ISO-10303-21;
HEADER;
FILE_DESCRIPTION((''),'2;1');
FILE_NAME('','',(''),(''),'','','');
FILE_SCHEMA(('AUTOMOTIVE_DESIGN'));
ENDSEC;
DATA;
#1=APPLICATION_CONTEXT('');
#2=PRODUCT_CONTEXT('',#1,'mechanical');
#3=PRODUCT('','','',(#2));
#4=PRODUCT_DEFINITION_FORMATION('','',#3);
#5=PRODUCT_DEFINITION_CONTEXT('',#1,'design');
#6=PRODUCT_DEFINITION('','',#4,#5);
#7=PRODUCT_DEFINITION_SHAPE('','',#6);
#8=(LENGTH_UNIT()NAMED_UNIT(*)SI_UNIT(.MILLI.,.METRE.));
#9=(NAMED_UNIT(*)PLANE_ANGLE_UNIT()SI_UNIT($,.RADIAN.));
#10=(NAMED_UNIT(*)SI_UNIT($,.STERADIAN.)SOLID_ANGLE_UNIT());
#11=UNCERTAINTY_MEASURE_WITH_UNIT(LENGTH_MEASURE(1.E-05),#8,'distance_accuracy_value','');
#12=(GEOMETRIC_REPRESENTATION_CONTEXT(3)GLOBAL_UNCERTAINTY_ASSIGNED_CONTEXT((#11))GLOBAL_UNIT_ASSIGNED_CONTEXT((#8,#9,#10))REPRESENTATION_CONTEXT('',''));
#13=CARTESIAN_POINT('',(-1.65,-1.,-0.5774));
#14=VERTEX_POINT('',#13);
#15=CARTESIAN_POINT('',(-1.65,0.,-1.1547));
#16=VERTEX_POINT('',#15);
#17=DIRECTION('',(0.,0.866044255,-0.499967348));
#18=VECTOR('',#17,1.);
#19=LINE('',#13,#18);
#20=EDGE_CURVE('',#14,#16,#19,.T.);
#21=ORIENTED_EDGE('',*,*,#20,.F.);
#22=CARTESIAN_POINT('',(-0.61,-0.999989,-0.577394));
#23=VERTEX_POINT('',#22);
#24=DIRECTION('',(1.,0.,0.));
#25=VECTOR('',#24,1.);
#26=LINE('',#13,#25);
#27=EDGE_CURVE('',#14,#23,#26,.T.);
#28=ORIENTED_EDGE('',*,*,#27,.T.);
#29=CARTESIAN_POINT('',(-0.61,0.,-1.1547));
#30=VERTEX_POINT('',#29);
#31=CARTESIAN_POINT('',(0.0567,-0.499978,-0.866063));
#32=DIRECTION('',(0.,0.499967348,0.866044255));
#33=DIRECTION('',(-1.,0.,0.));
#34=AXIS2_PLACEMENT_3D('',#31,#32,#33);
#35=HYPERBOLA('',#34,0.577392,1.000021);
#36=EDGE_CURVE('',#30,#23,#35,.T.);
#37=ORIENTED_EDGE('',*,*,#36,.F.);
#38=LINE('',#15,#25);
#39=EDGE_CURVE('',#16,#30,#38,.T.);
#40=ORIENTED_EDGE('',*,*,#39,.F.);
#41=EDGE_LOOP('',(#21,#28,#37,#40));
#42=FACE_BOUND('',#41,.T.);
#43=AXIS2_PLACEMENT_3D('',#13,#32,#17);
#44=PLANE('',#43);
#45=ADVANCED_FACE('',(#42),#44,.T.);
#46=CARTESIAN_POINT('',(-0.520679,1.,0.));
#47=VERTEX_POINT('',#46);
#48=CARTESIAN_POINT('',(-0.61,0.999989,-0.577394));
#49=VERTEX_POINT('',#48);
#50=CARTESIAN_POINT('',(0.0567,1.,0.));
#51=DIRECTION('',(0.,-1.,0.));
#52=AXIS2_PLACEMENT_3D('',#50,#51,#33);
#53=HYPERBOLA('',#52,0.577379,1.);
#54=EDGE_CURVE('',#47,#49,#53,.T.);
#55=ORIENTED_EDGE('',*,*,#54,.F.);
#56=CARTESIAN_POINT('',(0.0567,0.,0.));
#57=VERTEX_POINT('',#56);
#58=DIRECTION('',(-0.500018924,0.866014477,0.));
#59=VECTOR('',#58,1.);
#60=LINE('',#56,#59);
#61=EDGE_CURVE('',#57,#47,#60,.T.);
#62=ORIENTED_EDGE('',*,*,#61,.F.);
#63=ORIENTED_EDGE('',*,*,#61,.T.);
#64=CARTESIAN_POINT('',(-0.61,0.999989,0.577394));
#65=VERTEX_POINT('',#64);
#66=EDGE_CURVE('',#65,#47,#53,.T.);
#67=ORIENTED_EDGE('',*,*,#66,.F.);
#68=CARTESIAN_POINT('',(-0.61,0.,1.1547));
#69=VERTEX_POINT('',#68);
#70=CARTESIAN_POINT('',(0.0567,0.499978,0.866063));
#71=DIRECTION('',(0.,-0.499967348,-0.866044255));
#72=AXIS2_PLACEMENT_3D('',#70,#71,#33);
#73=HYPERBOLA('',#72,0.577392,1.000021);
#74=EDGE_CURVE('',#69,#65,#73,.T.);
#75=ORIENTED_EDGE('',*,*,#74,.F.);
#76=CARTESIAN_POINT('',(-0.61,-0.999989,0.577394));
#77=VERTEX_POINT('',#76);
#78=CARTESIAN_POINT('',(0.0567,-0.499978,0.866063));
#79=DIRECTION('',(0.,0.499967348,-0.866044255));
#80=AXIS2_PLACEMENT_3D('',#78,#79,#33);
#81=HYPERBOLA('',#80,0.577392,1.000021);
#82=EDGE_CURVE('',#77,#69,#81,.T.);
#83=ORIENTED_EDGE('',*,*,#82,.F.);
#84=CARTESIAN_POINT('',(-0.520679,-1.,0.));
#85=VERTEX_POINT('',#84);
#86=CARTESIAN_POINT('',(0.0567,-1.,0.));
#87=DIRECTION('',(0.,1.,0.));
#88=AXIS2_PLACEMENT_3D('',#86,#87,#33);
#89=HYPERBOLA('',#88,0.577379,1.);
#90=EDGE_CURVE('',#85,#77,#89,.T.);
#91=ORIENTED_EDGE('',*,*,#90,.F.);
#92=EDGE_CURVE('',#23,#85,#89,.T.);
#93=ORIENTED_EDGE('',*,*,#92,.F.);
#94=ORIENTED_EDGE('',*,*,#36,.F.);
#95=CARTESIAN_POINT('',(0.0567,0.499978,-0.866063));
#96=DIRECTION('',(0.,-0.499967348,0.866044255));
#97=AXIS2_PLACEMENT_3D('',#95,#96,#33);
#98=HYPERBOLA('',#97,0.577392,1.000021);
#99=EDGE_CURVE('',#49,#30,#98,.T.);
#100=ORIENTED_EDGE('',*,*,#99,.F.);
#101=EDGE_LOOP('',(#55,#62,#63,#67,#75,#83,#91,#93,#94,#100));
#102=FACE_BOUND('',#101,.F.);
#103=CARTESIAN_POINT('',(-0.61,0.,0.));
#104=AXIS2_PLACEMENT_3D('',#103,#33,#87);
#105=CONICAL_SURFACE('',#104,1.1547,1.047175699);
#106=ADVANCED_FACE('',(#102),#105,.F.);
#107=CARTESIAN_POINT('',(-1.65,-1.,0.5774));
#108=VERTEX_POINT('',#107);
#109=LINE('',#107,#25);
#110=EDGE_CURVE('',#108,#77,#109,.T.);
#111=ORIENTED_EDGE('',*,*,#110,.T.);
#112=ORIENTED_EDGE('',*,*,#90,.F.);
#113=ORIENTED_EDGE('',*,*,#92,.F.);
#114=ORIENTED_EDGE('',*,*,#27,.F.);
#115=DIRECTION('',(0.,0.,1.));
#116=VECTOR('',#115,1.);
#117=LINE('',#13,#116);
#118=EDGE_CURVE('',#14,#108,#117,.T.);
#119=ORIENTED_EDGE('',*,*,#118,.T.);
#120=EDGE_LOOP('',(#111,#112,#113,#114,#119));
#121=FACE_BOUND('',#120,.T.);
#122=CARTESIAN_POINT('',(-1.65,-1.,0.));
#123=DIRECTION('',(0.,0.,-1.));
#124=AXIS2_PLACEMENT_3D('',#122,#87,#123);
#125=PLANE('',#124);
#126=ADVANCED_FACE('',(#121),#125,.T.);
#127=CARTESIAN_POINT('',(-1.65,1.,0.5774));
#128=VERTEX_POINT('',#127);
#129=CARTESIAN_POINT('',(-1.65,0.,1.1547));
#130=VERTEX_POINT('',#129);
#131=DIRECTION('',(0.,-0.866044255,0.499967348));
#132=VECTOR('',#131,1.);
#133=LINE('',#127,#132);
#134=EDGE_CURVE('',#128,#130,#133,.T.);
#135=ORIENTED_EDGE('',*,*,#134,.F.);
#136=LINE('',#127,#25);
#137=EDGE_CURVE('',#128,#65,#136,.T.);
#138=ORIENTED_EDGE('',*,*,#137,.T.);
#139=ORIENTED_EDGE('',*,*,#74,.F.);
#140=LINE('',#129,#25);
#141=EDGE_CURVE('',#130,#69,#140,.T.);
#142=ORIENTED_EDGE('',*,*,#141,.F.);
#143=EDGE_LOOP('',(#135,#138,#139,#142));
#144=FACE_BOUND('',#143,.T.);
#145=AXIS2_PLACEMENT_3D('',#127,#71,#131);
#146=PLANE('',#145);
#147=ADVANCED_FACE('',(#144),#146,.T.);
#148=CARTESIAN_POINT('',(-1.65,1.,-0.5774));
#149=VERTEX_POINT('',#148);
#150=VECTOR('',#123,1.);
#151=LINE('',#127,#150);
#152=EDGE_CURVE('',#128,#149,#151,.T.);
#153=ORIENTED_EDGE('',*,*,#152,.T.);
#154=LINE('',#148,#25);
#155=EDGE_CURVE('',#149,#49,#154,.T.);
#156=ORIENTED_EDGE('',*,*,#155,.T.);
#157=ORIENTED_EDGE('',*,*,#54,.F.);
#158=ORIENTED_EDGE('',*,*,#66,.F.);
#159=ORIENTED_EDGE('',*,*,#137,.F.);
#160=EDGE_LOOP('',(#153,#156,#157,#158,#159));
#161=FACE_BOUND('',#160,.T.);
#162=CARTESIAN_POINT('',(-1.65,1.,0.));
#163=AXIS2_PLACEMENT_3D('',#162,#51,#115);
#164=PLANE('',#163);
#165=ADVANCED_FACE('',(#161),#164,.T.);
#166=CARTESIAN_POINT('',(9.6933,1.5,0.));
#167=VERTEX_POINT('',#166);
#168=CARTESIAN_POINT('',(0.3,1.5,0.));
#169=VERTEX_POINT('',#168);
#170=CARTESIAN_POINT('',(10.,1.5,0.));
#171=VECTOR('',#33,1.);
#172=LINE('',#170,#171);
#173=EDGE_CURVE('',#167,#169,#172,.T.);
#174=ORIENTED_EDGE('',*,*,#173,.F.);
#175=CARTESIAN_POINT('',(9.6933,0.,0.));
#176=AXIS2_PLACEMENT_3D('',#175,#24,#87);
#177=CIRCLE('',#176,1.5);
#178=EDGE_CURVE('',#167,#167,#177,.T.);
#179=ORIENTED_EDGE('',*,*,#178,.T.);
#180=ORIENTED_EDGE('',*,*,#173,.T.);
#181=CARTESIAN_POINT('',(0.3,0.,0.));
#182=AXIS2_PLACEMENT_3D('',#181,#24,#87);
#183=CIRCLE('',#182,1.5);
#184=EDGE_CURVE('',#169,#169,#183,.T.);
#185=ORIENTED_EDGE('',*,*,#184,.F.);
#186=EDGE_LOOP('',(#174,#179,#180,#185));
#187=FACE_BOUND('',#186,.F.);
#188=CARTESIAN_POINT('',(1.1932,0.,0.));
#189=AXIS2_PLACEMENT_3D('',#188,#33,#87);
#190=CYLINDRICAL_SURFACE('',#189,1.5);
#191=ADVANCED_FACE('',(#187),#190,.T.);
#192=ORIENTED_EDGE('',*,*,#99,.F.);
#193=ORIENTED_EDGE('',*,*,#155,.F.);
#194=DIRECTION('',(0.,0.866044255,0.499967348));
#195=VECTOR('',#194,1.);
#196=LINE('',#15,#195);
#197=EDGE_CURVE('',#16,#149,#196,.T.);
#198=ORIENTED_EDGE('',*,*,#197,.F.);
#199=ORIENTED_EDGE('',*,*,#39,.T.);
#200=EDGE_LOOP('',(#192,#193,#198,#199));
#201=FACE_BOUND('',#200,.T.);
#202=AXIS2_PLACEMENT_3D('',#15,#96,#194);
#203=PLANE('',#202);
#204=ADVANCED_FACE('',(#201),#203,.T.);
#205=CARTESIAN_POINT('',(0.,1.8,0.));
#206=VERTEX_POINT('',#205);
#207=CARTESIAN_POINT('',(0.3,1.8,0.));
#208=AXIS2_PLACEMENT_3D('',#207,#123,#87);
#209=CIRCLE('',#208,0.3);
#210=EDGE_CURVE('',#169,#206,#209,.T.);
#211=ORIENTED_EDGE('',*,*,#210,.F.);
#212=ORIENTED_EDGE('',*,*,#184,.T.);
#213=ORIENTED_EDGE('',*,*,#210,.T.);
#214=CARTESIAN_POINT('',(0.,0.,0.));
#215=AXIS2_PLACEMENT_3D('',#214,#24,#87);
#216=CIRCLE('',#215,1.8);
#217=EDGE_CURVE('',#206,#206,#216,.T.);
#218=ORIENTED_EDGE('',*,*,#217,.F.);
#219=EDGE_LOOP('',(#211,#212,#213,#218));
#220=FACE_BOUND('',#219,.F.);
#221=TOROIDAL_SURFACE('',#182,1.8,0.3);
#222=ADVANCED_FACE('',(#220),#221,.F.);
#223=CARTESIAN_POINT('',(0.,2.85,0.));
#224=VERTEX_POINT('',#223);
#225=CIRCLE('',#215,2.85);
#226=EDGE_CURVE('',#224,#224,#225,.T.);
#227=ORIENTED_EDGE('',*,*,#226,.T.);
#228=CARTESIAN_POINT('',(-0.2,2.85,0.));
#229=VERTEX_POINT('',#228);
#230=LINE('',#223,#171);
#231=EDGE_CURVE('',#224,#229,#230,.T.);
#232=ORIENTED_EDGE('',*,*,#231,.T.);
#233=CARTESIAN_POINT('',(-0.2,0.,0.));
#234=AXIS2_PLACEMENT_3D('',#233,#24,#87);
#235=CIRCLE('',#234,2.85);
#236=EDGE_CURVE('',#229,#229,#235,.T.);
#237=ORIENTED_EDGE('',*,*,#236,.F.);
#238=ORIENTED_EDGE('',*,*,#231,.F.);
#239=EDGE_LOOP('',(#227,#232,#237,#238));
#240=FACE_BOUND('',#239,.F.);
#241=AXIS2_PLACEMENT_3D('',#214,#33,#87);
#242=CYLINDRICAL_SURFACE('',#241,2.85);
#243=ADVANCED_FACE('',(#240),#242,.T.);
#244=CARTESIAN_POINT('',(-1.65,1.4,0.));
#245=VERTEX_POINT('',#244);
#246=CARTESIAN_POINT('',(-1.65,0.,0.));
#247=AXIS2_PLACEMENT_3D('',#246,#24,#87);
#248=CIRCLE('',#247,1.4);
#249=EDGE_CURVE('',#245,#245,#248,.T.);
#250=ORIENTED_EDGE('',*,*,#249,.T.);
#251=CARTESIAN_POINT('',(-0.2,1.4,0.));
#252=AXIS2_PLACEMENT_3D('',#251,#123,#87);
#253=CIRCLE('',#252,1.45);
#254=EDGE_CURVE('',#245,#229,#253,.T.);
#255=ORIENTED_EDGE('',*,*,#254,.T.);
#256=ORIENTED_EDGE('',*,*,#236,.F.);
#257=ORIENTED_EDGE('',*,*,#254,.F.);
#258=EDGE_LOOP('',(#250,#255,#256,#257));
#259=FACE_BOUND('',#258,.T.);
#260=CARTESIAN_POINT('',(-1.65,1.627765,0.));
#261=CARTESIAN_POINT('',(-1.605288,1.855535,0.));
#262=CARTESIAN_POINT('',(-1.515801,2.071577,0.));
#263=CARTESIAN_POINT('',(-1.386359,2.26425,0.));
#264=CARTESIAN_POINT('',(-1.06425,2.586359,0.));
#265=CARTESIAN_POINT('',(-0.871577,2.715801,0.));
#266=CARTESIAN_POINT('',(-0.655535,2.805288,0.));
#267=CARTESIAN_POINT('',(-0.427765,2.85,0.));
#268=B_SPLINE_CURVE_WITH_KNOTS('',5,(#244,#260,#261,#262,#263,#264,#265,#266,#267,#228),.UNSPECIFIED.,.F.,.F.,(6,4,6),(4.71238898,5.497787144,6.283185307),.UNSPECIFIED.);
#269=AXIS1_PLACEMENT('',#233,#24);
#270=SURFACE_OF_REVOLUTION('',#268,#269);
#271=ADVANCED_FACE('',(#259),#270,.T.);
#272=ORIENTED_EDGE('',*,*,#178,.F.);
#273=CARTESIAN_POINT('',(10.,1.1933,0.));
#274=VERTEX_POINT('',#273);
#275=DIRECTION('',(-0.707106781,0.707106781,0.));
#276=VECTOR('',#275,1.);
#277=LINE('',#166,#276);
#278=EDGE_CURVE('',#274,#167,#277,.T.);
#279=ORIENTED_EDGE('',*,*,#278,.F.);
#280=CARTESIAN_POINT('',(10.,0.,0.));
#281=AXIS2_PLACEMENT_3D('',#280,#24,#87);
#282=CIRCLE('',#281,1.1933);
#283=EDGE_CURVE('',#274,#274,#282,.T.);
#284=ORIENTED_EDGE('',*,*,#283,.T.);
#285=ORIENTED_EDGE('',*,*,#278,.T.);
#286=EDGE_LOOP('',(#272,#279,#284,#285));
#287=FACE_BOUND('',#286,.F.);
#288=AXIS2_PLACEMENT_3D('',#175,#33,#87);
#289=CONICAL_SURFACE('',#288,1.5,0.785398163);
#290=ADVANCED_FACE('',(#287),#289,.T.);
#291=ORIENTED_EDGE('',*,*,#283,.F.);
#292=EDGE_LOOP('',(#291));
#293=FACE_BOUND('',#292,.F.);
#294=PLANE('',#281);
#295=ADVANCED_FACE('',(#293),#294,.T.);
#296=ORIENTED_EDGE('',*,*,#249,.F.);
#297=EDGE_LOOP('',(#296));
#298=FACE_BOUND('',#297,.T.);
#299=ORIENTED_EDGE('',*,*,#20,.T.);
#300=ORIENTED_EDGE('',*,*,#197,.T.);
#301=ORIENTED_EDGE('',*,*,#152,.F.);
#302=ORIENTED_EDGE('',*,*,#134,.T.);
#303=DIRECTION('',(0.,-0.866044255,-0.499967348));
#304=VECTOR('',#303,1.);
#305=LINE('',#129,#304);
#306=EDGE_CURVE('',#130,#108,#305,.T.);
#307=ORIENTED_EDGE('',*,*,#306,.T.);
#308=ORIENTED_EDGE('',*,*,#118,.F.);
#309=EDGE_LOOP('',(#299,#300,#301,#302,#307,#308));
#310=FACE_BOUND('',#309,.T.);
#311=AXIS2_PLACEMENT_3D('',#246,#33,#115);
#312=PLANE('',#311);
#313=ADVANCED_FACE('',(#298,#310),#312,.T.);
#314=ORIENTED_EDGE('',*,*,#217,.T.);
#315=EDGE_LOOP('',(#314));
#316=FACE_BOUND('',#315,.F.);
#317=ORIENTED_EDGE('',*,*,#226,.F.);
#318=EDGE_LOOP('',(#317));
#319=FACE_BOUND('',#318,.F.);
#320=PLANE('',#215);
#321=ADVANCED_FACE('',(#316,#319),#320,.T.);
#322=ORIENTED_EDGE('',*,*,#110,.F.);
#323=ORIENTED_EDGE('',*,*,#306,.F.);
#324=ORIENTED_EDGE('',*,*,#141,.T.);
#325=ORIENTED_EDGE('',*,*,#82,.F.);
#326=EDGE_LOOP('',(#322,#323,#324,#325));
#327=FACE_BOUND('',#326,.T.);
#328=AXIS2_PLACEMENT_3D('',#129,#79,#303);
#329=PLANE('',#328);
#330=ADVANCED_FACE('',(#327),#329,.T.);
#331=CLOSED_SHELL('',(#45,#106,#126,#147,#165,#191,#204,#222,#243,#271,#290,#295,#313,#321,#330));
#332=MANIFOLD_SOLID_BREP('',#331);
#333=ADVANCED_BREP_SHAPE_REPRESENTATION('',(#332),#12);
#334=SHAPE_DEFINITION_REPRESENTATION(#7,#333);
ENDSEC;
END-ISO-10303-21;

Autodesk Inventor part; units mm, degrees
ref_plane "YZ Plane" through (0, 0, 0) normal (1, 0, 0) x (0, 1, 0)
ref_plane "XZ Plane" through (0, 0, 0) normal (0, 1, 0) x (-1, 0, 0)
sketch "Sketch1" plane through (0, 0, 0) normal (0, 0, 1) x (1, 0, 0)
  line L0 (0.0567, 0) -> (10, 0)
  line L1 (10, 0) -> (10, 1.5)
  line L2 (10, 1.5) -> (1.5, 1.5)
  line L3 (1.5, 1.5) -> (1.1932, 1.5)
  line L4 (1.1932, 1.5) -> (0, 1.5)
  line L5 (0, 1.5) -> (0, 2.85)
  line L6 (0, 2.85) -> (-1.65, 2.85)
  line L7 (-1.65, 2.85) -> (-1.65, 1.1547)
  line L8 (-1.65, 1.1547) -> (-0.61, 1.1547)
  line L9 (-0.61, 1.1547) -> (0.0567, 0)
  line L10 (-21, 0) -> (56, 0) projected
  line L11 (0, -1.6) -> (0, 9.6) projected
  line L12 (1.5, 1.5) -> (0, 1.5) construction
  dimension "d1" = 8.5
  dimension "d2" = 0.3068
  dimension "d3" = 1.65
  dimension "d4" = 1.04
  dimension "d5" = 60
  dimension "d6" = 3
  dimension "d7" = 3
  dimension "d8" = 2.3094
  dimension "d9" = 5.7
  dimension "d26" = 10
revolve "Body" add sketch "Sketch1" angle 360 about axis through (0.0567, 0, 0) along (1, 0, 0) contours L9 L11 L4 L3 L2 L1 L0 | L9 L8 L7 L6 L5 L11
sketch "Sketch2" plane through (-1.65, 0, 0) normal (-1, 0, 0) x (0, 0, 1)
  circle A0 centre (0, 0) radius 1.1547 projected
  line L0 (0, -6.4663) -> (0, 6.4663) projected
  line L1 (-6.4663, 0) -> (6.4663, 0) projected
  line L2 (1.1547, 0) -> (0.5774, -1)
  line L3 (0.5774, -1) -> (-0.5774, -1)
  line L4 (-0.5774, -1) -> (-1.1547, 0)
  line L5 (-1.1547, 0) -> (-0.5774, 1)
  line L6 (-0.5774, 1) -> (0.5774, 1)
  line L7 (0.5774, 1) -> (1.1547, 0)
extrude "Slot" add sketch "Sketch2" against normal up to next contours L7 A0 | A0 L2 | L6 L0 A0 | A0 L0 L3 | L0 L6 A0 | A0 L3 L0 | L4 A0 | A0 L5
fillet "Fillet1" radius 1.45 1 edges at (-1.65, -2.85, 0)
thread "Thread" size "M10x1.5" class "6g" standard "ANSI Metric M Profile" length 8.5
chamfer "Chamfer1" distance 0.3067 distance2 0.3067 1 edges at (10, -1.5, 0) measured on face at (10, -0.6587, -0.1791)
ref_plane "Work Plane1" through (29, 0, 0) normal (0, -1, 0) x (1, 0, 0)
fillet "Fillet2" radius 0.3 1 edges at (0, -1.5, 0)
equation "\"d1\" = GEL"
equation "\"d3\" = KOH"
equation "\"d4\" = INTI"
equation "\"d6\" = GD"
equation "\"d7\" = BDM"
equation "\"d8\" = 1.1547 * SW"
equation "\"d9\" = KOD"
equation "\"d26\" = NLG"
equation "\"d30\" = R"
equation "\"d17\" = RR"
equation "\"d13\" = GEL"
equation "\"d15\" = -0.5 * SPD + 0.5 * GD"
equation "\"d16\" = GUL"
equation "\"GD\" = NND"
equation "\"NLG\" = 10"
equation "\"GEL\" = 8.5"
equation "\"KOD\" = 5.7"
equation "\"KOH\" = 1.65"
equation "\"INTI\" = 1.04"
equation "\"GAL\" = 0.61345 * PTC"
equation "\"GUL\" = 0.61345 * PTC"
equation "\"BDM\" = NND"
equation "\"SW\" = 2"
equation "\"RR\" = 1.45"
equation "\"SPD\" = NND - 1.2269 * PTC"
equation "\"R\" = 0.3"
equation "\"TOA\" = 30deg"
equation "\"GD1\" = THREADDIA - 1.2269 * PTC"
equation "\"THREADDIA\" = 3"
equation "\"PTC\" = 0.5"
equation "\"NND\" = 3"
equation "\"KOH1\" = 0.2"
equation "\"E0\" = 2.303"
properties part number "ISO 7380-1 - M3 x 10" material "Steel"
